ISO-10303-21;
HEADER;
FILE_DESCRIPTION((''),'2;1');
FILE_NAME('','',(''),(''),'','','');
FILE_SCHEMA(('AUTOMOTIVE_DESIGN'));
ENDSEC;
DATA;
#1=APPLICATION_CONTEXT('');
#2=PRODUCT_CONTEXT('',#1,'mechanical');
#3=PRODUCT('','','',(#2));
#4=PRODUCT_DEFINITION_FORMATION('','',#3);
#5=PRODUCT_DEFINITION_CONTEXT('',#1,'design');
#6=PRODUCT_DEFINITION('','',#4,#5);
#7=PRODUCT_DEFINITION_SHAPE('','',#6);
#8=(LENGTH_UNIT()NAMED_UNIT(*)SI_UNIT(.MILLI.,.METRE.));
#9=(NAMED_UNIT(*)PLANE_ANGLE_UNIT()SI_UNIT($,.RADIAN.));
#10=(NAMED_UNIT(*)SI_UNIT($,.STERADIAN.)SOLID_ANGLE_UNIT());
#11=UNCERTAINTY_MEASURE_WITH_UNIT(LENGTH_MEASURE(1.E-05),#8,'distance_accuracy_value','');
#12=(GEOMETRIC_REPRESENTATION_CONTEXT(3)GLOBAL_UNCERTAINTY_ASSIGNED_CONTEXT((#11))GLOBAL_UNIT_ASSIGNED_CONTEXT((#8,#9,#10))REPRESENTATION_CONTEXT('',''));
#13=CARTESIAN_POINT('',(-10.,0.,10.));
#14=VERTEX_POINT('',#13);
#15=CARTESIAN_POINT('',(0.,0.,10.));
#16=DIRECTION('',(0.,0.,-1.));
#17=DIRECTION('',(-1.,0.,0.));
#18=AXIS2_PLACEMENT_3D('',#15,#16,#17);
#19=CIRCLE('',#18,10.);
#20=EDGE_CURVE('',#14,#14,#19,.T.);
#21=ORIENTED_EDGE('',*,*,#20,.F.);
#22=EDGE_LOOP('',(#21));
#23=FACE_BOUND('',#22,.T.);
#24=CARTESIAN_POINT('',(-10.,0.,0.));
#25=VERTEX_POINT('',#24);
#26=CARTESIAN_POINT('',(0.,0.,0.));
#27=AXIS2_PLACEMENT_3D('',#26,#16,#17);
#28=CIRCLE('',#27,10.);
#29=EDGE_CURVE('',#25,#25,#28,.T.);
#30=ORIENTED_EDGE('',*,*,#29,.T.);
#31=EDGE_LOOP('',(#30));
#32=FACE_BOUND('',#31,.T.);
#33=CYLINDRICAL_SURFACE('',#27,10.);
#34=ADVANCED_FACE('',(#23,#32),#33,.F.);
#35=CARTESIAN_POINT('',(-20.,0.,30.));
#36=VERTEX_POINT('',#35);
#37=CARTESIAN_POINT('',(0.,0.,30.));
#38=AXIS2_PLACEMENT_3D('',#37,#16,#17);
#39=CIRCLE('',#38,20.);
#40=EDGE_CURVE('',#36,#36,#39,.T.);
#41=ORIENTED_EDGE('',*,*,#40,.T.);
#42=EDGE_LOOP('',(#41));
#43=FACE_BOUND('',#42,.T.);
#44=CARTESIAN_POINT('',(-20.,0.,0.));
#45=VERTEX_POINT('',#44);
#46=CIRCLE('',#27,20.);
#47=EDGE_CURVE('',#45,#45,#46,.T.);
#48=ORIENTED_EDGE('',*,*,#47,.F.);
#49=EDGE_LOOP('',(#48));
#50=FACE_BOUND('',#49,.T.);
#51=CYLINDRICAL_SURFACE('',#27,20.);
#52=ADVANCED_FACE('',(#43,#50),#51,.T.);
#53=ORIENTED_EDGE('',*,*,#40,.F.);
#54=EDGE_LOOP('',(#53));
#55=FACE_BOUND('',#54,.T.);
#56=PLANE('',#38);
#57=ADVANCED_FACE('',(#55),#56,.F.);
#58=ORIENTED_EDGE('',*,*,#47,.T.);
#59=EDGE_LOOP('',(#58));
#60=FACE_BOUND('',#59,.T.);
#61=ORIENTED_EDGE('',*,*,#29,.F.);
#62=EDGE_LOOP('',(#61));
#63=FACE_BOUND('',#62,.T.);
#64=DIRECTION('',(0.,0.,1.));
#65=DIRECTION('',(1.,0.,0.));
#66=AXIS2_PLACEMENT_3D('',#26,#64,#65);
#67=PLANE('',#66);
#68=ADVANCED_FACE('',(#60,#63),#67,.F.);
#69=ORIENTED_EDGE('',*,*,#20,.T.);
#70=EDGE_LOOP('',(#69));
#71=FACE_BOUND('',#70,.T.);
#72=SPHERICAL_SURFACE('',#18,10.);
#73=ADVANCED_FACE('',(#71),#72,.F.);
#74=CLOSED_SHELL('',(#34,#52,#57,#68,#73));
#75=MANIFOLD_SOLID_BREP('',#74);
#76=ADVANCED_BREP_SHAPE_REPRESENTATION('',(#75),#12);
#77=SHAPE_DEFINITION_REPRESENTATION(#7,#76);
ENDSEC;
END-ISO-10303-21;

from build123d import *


with BuildPart() as part:
    # Sketch2 → Revolve3 (revolve)
    with BuildSketch(Plane(origin=(0, 0, 0), x_dir=(1, 0, 0), z_dir=(0, 1, 0))):
        with BuildLine():
            Line((-10, -10), (-10, 0))
            Line((-10, 0), (-20, 0))
            Line((-20, 0), (-20, -30))
            Line((-20, -30), (0, -30))
            Line((0, -30), (0, -20))
            ThreePointArc((0, -20), (-7.071067812, -17.071067812), (-10, -10))
        make_face()
    revolve(axis=Axis((0, 0, 0), (0, 0, 1)))


solid = part.part
